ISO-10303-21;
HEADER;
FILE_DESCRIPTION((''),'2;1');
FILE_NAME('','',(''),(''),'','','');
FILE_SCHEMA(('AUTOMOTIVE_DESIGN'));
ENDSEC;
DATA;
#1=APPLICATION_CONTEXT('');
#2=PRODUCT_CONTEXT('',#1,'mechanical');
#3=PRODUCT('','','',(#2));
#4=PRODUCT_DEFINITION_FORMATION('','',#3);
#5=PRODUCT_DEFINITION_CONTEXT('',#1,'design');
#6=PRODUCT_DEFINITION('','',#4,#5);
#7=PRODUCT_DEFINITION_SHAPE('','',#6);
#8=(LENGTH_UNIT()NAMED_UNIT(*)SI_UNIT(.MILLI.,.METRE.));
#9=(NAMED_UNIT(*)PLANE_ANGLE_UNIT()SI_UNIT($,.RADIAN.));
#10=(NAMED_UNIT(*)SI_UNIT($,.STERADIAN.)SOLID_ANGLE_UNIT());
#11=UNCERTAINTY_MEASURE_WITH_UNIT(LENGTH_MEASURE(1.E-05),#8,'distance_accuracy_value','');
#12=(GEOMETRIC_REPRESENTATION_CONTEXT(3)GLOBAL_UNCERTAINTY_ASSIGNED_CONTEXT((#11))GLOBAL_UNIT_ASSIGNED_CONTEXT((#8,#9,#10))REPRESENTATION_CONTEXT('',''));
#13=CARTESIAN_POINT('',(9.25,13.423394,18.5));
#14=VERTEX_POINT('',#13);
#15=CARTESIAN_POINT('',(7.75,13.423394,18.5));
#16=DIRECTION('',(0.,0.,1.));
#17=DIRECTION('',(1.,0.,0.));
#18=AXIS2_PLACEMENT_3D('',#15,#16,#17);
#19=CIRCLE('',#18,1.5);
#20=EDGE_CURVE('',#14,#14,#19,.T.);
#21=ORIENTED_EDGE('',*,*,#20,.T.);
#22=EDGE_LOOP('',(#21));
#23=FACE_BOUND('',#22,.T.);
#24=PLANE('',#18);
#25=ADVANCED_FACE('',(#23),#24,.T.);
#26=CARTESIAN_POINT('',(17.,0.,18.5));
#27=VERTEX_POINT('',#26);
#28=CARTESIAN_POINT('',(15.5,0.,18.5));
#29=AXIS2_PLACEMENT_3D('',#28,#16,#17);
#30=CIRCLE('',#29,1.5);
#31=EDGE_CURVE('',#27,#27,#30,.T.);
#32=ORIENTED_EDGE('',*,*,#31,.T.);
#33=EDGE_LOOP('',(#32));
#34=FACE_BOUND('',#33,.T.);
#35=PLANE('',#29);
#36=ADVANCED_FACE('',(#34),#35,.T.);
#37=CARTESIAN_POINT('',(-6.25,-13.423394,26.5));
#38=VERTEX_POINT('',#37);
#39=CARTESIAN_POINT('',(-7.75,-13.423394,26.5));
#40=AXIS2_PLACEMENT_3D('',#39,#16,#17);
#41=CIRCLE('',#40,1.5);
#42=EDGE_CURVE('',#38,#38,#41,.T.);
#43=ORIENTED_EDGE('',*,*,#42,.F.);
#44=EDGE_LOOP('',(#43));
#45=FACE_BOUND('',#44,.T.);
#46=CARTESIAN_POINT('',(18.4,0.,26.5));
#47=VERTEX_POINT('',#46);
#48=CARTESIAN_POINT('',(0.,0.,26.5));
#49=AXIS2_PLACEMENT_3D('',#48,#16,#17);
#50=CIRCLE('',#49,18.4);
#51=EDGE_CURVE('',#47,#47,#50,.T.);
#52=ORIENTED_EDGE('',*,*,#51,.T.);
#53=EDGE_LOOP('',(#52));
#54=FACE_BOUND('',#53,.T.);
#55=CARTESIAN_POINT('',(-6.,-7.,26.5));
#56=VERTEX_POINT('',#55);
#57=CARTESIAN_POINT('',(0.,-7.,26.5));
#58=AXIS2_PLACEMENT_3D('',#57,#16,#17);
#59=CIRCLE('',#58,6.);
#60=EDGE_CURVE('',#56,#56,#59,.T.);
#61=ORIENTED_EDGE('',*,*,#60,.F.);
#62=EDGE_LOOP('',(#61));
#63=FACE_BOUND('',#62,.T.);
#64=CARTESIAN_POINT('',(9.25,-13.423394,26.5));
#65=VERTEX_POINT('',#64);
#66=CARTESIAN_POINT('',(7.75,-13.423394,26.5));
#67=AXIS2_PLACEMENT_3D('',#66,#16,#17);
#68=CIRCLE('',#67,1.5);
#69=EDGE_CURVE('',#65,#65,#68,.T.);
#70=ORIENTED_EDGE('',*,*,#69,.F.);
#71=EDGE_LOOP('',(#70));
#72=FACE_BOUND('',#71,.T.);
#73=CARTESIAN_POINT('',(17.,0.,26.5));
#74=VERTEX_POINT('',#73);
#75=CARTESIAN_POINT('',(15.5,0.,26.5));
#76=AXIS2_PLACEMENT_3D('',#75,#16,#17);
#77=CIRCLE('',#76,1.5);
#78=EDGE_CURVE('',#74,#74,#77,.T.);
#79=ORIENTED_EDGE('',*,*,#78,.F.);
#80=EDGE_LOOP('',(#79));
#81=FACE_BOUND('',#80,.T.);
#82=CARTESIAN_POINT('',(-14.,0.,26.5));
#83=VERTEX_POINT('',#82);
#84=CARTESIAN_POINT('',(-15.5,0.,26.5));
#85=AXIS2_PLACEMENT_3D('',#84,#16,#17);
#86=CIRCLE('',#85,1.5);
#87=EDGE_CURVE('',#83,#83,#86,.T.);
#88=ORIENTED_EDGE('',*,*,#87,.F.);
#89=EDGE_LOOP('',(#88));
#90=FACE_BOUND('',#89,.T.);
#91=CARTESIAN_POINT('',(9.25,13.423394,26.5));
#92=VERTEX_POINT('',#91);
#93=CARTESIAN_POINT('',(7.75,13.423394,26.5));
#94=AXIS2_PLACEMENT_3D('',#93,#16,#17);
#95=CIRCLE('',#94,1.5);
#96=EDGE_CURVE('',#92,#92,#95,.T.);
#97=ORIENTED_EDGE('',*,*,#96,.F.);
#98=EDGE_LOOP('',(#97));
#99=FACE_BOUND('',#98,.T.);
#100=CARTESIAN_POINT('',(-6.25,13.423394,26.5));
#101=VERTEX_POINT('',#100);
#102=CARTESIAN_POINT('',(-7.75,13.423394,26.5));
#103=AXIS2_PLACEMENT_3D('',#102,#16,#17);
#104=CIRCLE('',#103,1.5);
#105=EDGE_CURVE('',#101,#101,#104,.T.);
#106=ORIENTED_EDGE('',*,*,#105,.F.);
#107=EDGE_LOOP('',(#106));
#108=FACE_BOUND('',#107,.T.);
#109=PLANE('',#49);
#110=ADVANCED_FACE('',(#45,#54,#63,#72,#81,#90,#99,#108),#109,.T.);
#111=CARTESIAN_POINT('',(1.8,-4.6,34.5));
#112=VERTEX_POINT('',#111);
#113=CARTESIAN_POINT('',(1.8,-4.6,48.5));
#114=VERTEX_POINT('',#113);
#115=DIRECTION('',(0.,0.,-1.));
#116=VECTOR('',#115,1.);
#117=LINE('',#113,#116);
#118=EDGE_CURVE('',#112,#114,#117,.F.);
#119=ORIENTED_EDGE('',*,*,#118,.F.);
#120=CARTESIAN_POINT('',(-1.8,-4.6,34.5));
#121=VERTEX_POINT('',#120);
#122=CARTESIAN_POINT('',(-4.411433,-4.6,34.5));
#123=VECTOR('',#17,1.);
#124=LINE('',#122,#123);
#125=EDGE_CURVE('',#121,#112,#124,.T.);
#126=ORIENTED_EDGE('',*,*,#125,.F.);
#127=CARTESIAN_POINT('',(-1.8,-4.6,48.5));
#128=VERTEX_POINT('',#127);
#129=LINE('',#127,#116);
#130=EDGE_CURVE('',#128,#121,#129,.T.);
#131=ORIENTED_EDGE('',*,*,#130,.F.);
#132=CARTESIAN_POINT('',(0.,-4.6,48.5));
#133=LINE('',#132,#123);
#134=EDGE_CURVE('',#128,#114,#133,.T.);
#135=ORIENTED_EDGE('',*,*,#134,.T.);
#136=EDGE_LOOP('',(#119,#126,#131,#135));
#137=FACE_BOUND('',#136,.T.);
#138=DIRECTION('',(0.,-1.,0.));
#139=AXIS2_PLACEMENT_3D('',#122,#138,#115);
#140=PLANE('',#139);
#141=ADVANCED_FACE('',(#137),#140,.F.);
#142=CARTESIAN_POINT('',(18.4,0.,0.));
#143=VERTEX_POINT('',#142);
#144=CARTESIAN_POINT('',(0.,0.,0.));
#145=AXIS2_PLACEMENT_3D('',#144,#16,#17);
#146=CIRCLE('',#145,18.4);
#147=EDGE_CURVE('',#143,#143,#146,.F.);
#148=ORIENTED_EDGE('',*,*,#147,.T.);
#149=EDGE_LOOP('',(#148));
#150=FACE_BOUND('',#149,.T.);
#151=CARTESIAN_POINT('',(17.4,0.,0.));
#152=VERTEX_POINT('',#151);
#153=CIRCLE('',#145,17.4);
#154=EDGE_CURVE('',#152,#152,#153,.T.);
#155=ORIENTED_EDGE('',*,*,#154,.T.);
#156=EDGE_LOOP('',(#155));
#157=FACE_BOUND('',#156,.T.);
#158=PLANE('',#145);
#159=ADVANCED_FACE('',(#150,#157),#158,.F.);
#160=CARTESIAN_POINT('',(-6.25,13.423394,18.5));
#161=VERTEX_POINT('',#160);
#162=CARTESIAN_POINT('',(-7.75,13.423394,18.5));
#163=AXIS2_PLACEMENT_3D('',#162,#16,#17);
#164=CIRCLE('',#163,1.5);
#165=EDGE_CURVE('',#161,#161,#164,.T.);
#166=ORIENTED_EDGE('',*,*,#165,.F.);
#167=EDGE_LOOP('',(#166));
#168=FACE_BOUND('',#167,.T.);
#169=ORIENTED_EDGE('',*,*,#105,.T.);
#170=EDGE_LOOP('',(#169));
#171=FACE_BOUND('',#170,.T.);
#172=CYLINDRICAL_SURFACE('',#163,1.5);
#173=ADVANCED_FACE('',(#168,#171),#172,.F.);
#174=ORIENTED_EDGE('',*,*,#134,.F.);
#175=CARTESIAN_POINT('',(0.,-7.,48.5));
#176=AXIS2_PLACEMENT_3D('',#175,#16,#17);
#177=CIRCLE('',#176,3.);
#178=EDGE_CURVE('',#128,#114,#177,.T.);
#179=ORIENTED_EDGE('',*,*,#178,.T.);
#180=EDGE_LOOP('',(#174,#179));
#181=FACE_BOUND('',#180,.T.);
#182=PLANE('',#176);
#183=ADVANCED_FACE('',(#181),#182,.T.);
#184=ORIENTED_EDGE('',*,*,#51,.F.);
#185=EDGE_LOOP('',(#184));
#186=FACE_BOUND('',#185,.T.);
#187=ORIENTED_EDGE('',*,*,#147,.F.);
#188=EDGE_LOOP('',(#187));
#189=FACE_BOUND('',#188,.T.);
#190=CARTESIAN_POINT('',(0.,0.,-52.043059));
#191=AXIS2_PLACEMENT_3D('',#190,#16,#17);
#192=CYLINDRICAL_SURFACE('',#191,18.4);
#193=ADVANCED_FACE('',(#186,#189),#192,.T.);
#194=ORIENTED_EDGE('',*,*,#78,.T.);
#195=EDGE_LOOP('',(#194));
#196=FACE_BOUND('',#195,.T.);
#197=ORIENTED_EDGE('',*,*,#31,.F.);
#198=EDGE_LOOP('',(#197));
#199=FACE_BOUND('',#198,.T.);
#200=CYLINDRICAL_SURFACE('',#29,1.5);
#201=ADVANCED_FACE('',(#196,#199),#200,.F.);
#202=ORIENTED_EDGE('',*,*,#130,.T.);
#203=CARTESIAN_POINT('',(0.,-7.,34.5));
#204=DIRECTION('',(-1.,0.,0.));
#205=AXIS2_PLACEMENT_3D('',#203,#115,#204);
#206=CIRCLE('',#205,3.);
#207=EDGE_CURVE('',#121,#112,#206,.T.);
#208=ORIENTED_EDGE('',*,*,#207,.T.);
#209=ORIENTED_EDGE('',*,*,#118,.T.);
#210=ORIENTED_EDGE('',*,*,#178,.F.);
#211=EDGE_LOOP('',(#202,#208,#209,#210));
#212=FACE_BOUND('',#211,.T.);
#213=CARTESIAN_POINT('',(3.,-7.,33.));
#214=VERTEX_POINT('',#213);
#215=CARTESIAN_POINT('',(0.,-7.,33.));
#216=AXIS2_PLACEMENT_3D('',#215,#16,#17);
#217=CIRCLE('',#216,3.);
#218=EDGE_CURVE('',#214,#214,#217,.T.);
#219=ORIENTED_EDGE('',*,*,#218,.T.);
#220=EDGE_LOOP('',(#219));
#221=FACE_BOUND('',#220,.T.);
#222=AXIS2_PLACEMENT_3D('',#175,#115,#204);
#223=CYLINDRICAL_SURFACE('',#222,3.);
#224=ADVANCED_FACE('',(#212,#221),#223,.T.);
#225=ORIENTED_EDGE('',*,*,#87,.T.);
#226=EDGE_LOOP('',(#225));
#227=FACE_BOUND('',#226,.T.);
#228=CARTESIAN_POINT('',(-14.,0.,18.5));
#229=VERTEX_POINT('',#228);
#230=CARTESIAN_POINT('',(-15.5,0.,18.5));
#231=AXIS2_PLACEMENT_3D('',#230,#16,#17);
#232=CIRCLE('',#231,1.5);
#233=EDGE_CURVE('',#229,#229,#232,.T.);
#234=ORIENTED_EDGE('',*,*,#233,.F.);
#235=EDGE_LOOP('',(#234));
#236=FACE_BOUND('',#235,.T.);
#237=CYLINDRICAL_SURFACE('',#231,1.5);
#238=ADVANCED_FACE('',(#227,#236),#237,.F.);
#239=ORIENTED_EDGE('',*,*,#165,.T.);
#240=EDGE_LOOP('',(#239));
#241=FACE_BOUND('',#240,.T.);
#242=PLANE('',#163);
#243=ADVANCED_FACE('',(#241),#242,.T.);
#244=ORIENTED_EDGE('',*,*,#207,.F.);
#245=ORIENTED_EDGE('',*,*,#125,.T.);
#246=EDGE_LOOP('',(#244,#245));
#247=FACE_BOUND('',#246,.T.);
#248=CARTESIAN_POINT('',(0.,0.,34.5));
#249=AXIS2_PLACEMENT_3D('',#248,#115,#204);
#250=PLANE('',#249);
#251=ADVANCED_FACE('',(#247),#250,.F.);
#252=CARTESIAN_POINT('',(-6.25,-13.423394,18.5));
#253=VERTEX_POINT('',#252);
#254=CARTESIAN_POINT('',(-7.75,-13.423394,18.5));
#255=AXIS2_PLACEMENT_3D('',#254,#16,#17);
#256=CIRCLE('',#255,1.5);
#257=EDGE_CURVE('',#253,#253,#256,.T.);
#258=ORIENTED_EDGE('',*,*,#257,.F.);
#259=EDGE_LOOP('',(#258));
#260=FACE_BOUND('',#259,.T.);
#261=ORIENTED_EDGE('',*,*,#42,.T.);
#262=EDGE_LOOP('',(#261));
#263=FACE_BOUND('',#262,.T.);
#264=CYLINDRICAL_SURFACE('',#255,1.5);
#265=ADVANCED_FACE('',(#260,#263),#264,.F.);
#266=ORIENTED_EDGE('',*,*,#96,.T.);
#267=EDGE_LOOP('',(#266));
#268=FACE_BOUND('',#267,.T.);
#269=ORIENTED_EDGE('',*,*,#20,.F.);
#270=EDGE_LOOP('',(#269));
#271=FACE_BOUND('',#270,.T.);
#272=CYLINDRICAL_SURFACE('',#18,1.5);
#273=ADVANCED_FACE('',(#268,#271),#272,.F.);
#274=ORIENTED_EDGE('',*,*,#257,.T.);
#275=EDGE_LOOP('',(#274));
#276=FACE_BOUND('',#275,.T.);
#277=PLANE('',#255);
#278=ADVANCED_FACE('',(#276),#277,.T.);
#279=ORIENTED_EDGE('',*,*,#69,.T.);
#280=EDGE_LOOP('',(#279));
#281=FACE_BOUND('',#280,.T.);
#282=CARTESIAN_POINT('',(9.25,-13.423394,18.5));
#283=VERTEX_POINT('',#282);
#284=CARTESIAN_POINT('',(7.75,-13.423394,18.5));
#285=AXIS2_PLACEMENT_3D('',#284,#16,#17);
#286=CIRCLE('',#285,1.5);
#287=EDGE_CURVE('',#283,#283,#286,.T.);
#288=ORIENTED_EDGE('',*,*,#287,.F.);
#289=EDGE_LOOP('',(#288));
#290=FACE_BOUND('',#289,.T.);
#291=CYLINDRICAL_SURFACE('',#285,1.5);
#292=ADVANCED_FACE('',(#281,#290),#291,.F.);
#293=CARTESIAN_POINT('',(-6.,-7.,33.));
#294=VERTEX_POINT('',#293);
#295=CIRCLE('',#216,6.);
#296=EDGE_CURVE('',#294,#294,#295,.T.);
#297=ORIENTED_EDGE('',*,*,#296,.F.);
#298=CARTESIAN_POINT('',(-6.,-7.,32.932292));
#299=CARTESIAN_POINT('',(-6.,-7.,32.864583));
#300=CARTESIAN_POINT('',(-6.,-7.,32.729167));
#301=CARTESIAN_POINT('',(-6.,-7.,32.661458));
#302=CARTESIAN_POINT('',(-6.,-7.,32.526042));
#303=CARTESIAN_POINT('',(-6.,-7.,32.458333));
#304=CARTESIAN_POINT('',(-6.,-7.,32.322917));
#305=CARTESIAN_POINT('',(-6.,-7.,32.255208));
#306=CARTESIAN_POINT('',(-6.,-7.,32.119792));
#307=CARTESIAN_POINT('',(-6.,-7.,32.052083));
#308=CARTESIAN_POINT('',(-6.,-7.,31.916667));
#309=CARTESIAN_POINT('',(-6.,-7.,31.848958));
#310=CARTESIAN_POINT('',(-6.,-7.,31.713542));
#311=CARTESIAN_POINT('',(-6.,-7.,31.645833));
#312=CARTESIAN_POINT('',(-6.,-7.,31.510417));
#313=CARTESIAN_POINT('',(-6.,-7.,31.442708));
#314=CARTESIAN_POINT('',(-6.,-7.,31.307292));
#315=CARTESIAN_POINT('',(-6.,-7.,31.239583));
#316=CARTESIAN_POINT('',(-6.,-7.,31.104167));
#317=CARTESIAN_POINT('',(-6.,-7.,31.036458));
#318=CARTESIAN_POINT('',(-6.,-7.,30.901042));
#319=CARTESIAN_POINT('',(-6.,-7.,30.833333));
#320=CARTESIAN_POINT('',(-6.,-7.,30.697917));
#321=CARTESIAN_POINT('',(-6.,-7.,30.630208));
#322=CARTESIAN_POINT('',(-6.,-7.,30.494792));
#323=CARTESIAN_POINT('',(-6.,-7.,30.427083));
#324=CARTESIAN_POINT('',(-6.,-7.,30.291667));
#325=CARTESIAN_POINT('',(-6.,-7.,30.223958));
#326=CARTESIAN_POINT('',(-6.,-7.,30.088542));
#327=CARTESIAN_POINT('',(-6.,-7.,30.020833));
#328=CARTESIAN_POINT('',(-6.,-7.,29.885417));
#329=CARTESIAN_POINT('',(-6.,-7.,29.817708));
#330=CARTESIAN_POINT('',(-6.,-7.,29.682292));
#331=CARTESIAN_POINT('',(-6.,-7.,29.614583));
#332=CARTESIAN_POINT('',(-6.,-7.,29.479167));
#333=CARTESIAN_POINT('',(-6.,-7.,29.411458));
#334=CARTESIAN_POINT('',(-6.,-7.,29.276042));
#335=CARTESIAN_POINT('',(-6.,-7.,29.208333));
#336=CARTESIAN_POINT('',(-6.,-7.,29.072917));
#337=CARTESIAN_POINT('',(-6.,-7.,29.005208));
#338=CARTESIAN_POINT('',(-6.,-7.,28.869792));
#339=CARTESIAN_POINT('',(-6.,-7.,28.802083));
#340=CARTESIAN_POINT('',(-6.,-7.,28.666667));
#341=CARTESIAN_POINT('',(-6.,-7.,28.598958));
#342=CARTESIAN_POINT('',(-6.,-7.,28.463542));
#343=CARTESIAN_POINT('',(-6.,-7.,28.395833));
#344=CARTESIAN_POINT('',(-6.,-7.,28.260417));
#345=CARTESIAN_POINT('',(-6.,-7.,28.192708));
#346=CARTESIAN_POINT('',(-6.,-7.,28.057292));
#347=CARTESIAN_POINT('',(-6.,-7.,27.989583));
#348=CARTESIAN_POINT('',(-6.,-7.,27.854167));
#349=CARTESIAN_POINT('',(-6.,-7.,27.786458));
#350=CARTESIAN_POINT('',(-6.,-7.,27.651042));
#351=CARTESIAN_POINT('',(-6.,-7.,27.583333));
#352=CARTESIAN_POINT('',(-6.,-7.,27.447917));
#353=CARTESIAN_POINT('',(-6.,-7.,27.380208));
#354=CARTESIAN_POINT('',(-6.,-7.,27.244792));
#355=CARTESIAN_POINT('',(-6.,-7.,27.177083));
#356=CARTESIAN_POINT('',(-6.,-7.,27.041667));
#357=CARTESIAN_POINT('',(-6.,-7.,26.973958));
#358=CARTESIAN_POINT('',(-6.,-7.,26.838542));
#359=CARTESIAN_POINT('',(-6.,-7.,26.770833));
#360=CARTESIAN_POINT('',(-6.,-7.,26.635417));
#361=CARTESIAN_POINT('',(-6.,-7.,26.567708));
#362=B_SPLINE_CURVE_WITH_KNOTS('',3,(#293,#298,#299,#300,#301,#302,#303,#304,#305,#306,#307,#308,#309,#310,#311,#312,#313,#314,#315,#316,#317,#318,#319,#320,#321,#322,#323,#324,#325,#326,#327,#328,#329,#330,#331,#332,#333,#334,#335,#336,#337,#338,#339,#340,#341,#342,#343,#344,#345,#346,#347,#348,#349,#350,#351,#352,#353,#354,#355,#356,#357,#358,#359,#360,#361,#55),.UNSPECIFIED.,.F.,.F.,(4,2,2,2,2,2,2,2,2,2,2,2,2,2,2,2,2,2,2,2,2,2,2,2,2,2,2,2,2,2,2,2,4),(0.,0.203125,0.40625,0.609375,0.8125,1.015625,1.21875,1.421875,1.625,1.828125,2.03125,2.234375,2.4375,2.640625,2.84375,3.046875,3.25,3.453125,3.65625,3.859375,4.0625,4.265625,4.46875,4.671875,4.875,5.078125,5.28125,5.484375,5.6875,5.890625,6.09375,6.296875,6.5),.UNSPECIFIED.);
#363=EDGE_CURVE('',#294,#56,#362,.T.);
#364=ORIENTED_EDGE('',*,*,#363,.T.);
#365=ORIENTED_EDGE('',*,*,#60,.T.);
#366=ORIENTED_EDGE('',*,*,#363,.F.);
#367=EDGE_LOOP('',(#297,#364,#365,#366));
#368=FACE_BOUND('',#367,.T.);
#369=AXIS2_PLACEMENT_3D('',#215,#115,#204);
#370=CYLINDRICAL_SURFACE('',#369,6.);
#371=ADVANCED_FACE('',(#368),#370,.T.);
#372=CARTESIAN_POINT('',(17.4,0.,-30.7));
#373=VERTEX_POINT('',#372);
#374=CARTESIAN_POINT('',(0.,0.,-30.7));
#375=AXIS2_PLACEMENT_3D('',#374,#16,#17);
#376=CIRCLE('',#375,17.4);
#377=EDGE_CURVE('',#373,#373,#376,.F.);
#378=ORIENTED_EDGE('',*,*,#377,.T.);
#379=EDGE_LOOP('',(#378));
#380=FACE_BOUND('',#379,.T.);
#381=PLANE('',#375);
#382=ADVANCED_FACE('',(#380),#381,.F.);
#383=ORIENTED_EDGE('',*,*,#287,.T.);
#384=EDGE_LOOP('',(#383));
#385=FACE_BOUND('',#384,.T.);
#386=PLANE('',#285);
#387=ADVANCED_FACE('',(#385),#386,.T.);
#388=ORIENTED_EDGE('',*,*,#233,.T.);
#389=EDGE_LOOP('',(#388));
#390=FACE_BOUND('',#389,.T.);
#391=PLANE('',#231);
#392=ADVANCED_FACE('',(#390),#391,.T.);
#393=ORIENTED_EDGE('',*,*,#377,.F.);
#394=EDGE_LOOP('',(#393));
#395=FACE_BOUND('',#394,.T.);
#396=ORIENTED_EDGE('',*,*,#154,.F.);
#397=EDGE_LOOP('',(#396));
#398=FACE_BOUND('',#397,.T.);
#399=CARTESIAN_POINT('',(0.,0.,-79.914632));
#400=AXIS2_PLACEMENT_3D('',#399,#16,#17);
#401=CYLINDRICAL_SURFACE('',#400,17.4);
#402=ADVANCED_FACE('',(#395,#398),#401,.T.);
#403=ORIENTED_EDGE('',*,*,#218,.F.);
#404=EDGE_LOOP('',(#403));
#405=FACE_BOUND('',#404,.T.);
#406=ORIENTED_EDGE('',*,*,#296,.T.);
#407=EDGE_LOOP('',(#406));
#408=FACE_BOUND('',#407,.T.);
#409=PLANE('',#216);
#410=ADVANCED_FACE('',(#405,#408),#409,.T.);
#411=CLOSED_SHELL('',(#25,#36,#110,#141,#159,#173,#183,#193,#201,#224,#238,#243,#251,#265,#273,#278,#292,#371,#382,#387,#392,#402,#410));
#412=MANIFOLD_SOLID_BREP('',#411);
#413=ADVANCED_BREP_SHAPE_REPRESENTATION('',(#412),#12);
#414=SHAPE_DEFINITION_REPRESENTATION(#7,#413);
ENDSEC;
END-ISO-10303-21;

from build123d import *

# Parameters (mm, degrees)
SKETCH1_R           = 18.4
BOSS_EXTRUDE1_DEPTH = 26.5
SKETCH2_R           = 17.4
BOSS_EXTRUDE2_DEPTH = 30.7
SKETCH3_R           = 6
BOSS_EXTRUDE3_DEPTH = 6.5
SKETCH4_R           = 3
BOSS_EXTRUDE4_DEPTH = 15.5
CUT_EXTRUDE1_DEPTH  = 14
SKETCH6_R           = 1.5
CUT_EXTRUDE2_DEPTH  = 8


with BuildPart() as part:
    # Sketch1 → Boss-Extrude1 (new body)
    with BuildSketch(Plane.XY.offset(26.5)):
        Circle(SKETCH1_R)
    extrude(amount=-BOSS_EXTRUDE1_DEPTH)

    # Sketch2 → Boss-Extrude2 (add)
    with BuildSketch(Plane.XY):
        Circle(SKETCH2_R)
    extrude(amount=-BOSS_EXTRUDE2_DEPTH)

    # Sketch3 → Boss-Extrude3 (add)
    with BuildSketch(Plane.XY.offset(26.5)):
        with Locations(Location((0, -7, 0), (0, 0, 180))):
            Circle(SKETCH3_R)
    extrude(amount=BOSS_EXTRUDE3_DEPTH)

    # Sketch4 → Boss-Extrude4 (add)
    with BuildSketch(Plane.XY.offset(33)):
        with Locations((0, -7)):
            Circle(SKETCH4_R)
    extrude(amount=BOSS_EXTRUDE4_DEPTH)

    # Sketch5 → Cut-Extrude1 (cut)
    with BuildSketch(Plane.XY.offset(48.5)):
        Polygon((-4.411433232, -4.6), (4.412869288, -4.6), (0, -0.417886065), align=None)
    extrude(amount=-CUT_EXTRUDE1_DEPTH, mode=Mode.SUBTRACT)

    # Sketch6 → Cut-Extrude2 (cut)
    with BuildSketch(Plane.XY.offset(26.5)):
        with Locations((-15.5, 0)):
            Circle(SKETCH6_R)
        with Locations((-7.75, 13.423393759)):
            Circle(SKETCH6_R)
        with Locations((7.75, 13.423393759)):
            Circle(SKETCH6_R)
        with Locations((15.5, 0)):
            Circle(SKETCH6_R)
        with Locations((7.75, -13.423393759)):
            Circle(SKETCH6_R)
        with Locations((-7.75, -13.423393759)):
            Circle(SKETCH6_R)
    extrude(amount=-CUT_EXTRUDE2_DEPTH, mode=Mode.SUBTRACT)


solid = part.part
